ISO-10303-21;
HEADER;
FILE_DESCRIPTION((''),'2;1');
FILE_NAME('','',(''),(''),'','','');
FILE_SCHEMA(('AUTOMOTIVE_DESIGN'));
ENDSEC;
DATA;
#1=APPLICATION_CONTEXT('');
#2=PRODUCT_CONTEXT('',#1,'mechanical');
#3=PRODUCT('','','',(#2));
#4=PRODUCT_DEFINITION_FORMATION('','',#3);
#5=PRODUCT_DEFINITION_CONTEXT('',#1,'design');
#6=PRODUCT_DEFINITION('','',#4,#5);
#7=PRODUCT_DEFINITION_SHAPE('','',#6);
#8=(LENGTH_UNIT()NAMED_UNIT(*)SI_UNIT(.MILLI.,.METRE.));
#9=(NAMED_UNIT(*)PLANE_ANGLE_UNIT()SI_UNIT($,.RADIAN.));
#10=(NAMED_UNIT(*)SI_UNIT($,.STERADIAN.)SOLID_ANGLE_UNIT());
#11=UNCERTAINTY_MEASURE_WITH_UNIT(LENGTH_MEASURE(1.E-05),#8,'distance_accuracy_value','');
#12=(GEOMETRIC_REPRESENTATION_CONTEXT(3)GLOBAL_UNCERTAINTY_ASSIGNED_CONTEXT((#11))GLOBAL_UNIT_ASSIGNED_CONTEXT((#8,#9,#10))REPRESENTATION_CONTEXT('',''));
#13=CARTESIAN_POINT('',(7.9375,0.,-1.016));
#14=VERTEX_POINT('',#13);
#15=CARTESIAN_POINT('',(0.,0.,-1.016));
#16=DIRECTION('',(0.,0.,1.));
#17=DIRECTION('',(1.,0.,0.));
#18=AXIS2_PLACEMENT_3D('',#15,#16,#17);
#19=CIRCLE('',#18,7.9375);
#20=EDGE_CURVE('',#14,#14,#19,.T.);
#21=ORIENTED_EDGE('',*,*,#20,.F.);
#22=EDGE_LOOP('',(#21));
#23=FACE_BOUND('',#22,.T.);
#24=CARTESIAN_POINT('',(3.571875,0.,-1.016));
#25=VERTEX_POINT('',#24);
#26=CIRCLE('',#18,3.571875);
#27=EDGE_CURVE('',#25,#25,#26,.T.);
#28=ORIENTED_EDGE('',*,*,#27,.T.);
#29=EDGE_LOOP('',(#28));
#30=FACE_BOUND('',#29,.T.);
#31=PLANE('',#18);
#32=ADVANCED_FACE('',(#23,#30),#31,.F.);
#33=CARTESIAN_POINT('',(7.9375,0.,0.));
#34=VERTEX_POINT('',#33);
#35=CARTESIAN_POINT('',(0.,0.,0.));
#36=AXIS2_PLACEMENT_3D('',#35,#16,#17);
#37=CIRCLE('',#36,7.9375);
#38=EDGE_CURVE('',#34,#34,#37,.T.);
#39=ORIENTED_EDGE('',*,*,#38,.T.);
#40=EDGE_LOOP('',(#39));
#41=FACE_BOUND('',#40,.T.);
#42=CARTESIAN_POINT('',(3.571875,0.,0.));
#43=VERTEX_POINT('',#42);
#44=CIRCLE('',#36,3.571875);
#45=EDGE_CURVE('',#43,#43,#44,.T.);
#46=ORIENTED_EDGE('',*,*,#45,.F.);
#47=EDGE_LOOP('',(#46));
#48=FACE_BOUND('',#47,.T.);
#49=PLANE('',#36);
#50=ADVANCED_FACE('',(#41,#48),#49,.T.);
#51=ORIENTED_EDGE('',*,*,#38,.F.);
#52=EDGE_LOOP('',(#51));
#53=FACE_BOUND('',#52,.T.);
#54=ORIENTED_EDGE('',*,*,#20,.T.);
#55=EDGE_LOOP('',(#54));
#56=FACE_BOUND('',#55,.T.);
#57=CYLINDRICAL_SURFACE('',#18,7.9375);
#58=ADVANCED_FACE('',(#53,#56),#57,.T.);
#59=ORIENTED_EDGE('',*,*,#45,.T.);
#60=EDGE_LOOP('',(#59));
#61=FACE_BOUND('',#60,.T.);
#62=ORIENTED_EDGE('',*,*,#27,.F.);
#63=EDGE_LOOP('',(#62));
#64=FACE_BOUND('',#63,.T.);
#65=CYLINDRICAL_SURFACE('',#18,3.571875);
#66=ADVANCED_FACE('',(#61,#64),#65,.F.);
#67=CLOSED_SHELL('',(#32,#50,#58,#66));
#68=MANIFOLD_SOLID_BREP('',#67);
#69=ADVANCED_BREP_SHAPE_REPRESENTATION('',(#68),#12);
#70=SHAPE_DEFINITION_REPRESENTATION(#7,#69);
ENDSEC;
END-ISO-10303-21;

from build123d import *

# Parameters (mm, degrees)
SKETCH1_R      = 7.9375
SKETCH1_R_2    = 3.571875
EXTRUDE1_DEPTH = 1.016


with BuildPart() as part:
    # Sketch1 → Extrude1 (new body)
    with BuildSketch(Plane.XY):
        Circle(SKETCH1_R)
        Circle(SKETCH1_R_2, mode=Mode.SUBTRACT)
    extrude(amount=-EXTRUDE1_DEPTH)


solid = part.part
